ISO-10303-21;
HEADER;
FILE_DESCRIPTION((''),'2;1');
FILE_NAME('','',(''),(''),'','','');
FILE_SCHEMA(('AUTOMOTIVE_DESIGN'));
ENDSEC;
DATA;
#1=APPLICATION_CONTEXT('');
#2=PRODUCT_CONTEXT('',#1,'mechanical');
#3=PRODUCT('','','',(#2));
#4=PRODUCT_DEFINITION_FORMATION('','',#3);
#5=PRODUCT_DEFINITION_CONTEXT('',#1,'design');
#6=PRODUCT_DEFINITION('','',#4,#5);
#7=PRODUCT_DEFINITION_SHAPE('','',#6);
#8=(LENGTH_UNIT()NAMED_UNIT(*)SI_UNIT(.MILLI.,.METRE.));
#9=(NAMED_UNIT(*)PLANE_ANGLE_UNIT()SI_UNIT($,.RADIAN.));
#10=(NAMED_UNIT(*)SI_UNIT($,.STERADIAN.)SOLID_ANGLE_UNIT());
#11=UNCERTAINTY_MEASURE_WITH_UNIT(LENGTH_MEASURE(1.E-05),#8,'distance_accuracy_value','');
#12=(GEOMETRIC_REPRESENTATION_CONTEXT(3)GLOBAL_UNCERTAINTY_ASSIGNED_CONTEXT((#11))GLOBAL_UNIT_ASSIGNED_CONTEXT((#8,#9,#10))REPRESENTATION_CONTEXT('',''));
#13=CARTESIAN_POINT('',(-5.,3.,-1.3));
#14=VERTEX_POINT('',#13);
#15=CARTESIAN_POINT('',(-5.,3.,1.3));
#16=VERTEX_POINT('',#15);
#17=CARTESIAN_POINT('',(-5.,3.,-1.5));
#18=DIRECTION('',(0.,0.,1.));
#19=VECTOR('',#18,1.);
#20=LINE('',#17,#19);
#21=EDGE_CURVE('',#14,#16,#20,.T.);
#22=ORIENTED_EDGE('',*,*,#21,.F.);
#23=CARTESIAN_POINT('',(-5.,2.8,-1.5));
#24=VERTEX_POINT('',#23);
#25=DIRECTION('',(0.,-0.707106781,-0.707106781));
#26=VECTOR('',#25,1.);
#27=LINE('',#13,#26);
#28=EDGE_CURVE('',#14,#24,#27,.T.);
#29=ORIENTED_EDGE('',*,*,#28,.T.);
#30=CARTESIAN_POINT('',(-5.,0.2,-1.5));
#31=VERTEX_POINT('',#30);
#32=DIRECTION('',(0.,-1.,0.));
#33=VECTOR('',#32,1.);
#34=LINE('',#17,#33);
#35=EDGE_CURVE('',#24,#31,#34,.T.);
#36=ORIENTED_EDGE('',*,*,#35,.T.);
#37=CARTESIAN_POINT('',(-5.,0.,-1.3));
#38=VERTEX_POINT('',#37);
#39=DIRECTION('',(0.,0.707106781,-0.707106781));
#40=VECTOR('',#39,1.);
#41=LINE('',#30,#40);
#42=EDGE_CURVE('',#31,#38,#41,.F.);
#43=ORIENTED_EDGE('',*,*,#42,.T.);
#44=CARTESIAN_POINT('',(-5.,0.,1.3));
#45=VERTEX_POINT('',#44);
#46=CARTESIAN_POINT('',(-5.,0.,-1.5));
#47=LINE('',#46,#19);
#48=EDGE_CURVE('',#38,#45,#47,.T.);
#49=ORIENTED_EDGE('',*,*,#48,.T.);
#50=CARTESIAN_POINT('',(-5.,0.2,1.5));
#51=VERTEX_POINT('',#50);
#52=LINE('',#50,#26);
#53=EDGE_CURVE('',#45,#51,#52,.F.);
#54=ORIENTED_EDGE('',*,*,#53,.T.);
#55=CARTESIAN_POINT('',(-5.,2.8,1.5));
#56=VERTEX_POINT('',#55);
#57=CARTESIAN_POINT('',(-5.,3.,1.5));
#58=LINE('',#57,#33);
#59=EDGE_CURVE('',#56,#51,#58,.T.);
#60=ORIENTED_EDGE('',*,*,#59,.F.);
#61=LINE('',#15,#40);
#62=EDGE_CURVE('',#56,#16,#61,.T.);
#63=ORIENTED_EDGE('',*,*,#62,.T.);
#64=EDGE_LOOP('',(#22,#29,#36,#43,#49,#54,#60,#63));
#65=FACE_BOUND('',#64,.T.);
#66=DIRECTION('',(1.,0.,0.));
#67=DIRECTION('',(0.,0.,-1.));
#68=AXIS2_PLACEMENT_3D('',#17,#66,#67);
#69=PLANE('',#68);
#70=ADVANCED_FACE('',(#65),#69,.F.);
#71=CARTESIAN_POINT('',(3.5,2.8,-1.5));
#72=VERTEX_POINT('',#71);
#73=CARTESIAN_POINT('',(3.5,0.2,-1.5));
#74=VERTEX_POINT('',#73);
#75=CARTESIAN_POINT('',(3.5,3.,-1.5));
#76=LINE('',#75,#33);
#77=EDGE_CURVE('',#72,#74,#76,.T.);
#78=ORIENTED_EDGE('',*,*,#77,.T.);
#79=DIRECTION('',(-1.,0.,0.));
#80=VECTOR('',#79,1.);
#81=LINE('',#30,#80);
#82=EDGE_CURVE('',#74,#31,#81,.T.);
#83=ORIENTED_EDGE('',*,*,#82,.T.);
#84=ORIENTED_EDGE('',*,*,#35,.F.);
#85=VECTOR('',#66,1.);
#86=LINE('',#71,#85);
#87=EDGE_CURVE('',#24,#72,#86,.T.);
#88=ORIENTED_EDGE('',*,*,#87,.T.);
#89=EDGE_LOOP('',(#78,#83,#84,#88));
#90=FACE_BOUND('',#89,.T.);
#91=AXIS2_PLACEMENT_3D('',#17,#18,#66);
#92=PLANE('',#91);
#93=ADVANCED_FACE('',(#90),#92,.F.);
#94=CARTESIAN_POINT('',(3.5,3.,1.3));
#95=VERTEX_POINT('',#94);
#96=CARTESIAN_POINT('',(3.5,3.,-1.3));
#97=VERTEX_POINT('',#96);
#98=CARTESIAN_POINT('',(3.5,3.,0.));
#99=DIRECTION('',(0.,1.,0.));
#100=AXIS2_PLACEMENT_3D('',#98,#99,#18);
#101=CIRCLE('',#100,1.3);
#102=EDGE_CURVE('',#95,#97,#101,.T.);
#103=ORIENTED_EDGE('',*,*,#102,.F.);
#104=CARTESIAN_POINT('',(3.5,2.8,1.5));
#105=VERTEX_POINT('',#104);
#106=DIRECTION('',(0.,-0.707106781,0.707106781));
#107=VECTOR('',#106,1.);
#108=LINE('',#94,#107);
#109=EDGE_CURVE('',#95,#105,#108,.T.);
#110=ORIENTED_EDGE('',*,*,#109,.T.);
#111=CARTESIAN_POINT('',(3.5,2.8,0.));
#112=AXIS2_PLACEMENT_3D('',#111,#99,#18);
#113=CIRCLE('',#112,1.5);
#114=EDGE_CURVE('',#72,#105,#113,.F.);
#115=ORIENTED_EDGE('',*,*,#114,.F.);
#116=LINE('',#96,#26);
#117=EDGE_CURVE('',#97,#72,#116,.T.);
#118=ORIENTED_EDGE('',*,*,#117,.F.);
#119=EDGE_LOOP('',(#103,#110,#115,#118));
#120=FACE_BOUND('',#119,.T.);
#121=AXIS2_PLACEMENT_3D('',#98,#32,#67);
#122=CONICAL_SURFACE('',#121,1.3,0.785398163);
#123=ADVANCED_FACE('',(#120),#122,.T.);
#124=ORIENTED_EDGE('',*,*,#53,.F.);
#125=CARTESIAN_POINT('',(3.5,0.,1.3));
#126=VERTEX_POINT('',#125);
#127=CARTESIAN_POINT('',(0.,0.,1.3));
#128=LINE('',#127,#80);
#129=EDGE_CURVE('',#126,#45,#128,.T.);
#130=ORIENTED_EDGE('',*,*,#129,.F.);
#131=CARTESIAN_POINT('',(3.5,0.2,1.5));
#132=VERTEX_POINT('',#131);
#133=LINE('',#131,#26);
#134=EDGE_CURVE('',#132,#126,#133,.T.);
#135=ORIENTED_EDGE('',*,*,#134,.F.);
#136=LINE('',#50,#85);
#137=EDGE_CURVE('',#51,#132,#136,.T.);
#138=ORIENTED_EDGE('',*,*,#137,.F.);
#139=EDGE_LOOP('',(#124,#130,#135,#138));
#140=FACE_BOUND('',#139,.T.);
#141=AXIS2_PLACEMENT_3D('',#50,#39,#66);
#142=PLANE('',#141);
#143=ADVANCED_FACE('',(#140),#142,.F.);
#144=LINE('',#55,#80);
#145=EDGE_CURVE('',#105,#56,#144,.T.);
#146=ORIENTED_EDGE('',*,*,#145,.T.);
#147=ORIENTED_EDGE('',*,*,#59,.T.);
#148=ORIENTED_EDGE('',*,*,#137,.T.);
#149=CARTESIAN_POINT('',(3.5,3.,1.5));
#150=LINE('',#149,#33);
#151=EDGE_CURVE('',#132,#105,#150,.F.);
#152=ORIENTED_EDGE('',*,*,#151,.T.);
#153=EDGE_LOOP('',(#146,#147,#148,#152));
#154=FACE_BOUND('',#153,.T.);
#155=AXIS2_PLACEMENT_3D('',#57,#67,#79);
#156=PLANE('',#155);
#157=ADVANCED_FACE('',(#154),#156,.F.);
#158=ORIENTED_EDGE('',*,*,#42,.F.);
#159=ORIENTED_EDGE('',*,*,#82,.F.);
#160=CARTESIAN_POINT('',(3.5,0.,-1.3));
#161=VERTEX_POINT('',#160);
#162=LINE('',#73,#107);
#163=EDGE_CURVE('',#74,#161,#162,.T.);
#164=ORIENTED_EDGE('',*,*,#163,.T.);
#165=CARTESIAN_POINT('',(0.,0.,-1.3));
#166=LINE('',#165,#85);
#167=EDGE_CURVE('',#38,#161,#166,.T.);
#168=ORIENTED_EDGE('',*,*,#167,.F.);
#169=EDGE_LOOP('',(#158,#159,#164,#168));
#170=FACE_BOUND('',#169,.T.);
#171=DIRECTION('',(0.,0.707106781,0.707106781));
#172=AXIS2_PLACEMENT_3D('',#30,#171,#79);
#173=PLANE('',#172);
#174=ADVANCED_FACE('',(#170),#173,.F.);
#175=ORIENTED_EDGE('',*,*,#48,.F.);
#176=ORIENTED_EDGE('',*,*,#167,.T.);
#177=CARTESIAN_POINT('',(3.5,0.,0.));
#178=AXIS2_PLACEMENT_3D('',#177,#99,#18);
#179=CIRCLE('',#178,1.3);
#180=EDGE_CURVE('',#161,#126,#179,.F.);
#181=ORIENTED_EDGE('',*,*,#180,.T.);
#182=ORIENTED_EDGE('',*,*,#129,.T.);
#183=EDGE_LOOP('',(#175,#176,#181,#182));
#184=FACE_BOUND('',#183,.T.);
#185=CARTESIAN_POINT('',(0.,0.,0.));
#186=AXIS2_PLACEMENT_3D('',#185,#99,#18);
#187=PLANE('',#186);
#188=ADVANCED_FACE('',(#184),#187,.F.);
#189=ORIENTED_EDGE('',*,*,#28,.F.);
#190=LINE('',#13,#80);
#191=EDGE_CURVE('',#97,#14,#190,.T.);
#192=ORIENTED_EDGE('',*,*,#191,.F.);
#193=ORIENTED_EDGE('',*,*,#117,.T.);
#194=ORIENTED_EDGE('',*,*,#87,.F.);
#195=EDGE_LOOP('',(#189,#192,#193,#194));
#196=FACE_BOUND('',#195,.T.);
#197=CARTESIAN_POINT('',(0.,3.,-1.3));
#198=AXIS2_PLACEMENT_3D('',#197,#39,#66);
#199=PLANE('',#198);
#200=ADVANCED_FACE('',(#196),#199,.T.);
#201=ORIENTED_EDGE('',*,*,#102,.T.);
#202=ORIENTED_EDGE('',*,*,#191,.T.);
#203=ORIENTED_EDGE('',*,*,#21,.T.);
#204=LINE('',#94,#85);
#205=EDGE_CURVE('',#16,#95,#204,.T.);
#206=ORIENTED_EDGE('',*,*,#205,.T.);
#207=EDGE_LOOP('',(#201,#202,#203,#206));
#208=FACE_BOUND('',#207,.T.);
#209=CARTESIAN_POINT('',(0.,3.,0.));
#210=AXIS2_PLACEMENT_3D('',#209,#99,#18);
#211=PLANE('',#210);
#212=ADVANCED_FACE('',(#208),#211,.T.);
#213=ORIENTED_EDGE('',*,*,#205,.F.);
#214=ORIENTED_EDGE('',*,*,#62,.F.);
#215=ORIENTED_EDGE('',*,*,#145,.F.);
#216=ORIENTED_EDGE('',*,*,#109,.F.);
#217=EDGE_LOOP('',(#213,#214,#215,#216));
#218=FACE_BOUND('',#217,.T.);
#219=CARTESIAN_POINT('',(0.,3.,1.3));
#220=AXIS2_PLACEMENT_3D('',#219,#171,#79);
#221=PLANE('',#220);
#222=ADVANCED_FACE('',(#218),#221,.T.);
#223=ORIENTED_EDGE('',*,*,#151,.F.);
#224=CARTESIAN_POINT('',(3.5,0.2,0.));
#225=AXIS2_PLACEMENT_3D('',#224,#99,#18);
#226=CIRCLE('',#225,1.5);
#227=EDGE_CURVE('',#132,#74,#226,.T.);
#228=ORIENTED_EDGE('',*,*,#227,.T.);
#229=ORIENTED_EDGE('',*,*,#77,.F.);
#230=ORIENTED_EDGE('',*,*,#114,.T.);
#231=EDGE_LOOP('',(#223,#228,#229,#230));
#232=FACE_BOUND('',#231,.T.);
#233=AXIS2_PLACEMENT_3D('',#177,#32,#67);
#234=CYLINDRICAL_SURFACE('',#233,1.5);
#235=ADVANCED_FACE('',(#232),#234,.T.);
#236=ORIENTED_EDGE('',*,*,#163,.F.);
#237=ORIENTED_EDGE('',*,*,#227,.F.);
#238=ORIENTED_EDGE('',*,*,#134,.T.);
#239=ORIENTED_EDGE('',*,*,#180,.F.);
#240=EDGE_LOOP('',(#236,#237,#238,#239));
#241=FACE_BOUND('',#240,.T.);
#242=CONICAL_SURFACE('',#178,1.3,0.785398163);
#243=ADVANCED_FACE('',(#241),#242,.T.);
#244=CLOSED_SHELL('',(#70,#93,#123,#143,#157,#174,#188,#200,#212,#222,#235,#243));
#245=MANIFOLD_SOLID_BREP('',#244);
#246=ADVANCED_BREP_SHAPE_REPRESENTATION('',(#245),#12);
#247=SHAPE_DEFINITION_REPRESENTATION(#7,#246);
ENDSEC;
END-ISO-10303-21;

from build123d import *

# Parameters (mm, degrees)
SKETCH1_W           = 10
SKETCH1_H           = 3
BOSS_EXTRUDE1_DEPTH = 3
FILLET2_RADIUS      = 1.5
FILLET2_LENGTH      = 3
CHAMFER2_SIZE       = 0.2


with BuildPart() as part:
    # Sketch1 → Boss-Extrude1 (new body)
    with BuildSketch(Plane(origin=(0, 0, 0), x_dir=(1, 0, 0), z_dir=(0, 1, 0))):
        Rectangle(SKETCH1_W, SKETCH1_H)
    extrude(amount=BOSS_EXTRUDE1_DEPTH)

    # Fillet2: full round fillet: the end face becomes a half cylinder, R = half its width
    fillet2_face = Plane((5, 1.5, 0), x_dir=(0, 1, 0), z_dir=(1, 0, 0))  # on the end face: x along it, z out of the body
    fillet2_slab = fillet2_face.offset(-FILLET2_RADIUS / 2) * Box(FILLET2_LENGTH, 2 * FILLET2_RADIUS, FILLET2_RADIUS, mode=Mode.PRIVATE)  # the body's end, R deep
    fillet2_round = Plane((3.5, 1.5, 0), x_dir=(1, 0, 0), z_dir=(0, 1, 0)) * Cylinder(FILLET2_RADIUS, FILLET2_LENGTH, mode=Mode.PRIVATE)  # its axis R under the face
    add(fillet2_slab - fillet2_round, mode=Mode.SUBTRACT)

    # Chamfer2
    chamfer2_edges = [part.edges().sort_by_distance(p)[0] for p in [
        (-0.75, 0, -1.5),
        (-0.75, 3, -1.5),
        (5, 0, 0),
        (5, 3, 0),
        (-0.75, 0, 1.5),
        (-0.75, 3, 1.5),
    ]]
    chamfer(chamfer2_edges, length=CHAMFER2_SIZE)


solid = part.part
